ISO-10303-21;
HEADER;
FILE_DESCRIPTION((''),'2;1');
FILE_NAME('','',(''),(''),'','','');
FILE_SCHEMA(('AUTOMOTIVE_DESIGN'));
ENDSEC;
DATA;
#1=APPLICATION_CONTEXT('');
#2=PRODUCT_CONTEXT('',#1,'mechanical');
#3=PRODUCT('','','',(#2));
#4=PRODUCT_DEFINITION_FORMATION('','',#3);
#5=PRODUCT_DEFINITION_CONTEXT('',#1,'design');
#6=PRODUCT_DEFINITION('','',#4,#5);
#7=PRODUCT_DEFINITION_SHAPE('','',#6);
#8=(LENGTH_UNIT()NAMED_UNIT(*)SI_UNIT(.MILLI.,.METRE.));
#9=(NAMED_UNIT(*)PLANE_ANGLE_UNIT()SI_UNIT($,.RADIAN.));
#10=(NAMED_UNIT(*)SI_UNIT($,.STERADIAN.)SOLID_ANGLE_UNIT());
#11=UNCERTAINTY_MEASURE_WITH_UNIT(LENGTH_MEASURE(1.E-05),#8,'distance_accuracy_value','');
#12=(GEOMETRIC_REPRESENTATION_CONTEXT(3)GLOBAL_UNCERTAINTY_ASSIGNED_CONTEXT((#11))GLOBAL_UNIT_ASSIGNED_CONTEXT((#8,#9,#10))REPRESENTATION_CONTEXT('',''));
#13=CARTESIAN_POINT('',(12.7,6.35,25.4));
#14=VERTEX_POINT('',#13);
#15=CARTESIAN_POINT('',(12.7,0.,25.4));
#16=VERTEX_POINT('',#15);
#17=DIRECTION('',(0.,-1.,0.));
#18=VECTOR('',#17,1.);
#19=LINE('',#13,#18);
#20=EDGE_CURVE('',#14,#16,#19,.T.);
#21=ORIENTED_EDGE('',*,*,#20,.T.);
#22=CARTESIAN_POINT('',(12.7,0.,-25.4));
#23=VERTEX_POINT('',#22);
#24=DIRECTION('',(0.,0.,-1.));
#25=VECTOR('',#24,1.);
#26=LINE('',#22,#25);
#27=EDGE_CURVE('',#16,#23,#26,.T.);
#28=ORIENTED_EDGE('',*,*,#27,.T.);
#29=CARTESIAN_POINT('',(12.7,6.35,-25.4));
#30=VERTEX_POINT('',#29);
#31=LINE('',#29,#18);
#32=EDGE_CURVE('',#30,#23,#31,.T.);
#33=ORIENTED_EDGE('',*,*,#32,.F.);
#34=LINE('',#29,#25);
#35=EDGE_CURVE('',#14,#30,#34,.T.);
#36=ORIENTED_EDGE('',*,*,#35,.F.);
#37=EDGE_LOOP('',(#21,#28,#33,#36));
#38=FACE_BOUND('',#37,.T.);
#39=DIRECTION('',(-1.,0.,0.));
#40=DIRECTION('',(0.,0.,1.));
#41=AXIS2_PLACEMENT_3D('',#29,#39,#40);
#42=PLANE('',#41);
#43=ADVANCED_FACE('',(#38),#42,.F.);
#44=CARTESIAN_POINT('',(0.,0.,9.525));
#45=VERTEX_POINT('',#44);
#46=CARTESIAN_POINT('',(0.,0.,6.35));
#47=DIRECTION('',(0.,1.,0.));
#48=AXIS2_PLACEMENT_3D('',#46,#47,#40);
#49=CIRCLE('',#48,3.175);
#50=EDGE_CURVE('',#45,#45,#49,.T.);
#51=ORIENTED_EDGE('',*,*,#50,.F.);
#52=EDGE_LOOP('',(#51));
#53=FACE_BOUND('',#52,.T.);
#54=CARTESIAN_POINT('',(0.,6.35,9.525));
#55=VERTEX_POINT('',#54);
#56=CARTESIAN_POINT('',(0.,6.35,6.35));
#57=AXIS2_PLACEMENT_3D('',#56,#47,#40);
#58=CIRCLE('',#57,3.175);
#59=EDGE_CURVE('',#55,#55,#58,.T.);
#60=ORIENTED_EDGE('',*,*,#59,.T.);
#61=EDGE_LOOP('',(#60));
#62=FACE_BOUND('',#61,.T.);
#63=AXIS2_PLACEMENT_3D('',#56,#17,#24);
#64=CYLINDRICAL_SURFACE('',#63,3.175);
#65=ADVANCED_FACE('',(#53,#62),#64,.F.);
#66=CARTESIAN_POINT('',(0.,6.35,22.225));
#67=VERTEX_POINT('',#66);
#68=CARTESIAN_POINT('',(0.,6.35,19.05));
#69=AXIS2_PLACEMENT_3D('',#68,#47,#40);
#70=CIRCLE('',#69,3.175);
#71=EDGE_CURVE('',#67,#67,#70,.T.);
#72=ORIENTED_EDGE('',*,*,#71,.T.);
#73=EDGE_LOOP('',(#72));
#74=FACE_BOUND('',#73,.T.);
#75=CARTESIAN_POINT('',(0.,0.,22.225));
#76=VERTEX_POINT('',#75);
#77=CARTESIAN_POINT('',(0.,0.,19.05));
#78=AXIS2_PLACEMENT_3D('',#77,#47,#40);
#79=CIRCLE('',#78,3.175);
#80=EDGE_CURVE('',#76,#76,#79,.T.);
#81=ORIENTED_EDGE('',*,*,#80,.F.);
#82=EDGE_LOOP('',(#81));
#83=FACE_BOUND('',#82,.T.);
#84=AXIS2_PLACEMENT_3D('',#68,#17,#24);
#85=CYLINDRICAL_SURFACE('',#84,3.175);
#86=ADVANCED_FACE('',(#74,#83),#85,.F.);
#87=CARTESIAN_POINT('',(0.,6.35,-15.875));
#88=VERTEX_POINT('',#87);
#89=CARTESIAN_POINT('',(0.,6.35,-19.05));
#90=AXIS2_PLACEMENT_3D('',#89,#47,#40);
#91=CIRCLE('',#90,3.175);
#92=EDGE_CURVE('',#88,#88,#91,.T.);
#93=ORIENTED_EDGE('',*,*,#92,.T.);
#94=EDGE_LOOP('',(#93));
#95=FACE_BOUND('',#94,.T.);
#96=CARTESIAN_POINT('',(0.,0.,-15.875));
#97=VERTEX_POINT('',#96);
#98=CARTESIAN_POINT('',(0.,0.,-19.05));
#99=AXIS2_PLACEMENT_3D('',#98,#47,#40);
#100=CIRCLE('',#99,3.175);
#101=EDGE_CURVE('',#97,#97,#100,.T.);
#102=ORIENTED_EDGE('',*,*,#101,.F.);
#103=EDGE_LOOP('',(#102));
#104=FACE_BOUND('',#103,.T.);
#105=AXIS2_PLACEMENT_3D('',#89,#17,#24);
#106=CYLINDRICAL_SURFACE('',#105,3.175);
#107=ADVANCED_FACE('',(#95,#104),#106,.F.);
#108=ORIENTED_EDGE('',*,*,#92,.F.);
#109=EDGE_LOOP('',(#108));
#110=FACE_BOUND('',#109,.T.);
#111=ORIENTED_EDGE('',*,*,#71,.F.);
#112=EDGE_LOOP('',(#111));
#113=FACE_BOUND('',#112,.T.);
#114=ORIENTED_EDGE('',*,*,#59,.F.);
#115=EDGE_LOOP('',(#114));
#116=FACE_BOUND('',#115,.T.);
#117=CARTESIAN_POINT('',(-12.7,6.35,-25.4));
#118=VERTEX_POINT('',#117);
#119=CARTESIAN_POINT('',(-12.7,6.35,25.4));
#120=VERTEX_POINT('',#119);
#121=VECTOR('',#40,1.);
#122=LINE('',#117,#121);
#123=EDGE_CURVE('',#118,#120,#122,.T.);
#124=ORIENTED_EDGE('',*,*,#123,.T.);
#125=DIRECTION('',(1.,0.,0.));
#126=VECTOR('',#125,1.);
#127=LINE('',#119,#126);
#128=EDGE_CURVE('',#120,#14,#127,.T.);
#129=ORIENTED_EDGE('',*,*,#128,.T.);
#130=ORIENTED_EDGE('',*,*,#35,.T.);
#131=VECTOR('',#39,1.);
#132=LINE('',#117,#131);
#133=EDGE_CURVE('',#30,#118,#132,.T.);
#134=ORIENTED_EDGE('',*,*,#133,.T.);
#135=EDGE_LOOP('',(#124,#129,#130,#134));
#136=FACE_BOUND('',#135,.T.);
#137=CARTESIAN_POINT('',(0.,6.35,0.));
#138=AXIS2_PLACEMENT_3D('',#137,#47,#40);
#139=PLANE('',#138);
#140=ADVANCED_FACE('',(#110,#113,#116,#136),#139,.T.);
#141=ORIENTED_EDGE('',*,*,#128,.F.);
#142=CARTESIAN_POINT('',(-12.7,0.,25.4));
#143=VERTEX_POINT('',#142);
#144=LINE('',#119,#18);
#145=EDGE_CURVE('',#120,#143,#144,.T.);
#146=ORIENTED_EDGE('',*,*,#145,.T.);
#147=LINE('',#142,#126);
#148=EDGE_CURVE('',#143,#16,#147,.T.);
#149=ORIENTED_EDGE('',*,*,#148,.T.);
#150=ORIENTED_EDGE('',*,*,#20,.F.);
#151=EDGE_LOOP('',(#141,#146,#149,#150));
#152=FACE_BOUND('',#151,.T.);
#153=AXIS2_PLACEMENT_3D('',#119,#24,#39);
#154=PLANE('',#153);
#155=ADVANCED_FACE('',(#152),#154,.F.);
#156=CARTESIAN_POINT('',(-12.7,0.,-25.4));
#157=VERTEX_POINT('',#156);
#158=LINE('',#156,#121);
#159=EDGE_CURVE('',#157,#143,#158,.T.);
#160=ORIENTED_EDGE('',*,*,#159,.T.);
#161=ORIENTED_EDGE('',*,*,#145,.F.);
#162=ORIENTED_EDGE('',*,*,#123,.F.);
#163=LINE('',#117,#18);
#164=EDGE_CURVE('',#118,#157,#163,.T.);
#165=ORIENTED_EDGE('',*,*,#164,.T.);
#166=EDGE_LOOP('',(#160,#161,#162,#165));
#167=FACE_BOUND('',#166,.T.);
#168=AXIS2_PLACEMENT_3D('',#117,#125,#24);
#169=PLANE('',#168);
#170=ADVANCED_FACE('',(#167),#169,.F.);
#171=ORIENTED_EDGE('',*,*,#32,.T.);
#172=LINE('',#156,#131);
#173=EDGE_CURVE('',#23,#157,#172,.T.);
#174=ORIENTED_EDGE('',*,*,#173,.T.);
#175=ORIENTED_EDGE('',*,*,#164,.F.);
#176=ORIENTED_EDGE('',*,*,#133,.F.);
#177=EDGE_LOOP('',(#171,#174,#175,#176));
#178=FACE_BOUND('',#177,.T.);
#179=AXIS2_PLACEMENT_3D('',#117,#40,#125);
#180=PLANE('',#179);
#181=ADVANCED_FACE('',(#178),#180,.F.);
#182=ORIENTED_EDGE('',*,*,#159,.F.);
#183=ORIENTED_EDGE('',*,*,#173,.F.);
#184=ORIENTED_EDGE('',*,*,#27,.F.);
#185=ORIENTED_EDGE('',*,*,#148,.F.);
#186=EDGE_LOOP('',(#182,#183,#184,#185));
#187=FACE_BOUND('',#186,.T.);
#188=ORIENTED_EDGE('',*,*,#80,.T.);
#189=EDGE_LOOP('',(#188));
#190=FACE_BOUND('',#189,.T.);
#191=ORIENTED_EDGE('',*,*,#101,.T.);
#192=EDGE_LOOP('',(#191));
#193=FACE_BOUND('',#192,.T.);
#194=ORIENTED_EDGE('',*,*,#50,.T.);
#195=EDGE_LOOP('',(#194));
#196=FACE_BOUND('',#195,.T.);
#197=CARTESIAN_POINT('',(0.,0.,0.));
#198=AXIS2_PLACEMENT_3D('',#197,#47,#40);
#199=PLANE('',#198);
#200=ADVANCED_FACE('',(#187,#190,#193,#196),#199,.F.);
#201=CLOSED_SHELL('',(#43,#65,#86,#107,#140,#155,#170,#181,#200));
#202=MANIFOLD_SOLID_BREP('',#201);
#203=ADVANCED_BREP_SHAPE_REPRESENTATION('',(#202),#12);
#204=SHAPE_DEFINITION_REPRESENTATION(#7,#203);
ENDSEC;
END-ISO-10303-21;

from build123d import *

# Parameters (mm, degrees)
SKETCH1_W           = 25.4
SKETCH1_H           = 50.8
SKETCH1_R           = 3.175
BOSS_EXTRUDE1_DEPTH = 6.35


with BuildPart() as part:
    # Sketch1 → Boss-Extrude1 (new body)
    with BuildSketch(Plane(origin=(0, 0, 0), x_dir=(1, 0, 0), z_dir=(0, 1, 0))):
        Rectangle(SKETCH1_W, SKETCH1_H)
        with Locations((0, -19.05)):
            Circle(SKETCH1_R, mode=Mode.SUBTRACT)
        with Locations((0, -6.35)):
            Circle(SKETCH1_R, mode=Mode.SUBTRACT)
        with Locations((0, 19.05)):
            Circle(SKETCH1_R, mode=Mode.SUBTRACT)
    extrude(amount=BOSS_EXTRUDE1_DEPTH)


solid = part.part
